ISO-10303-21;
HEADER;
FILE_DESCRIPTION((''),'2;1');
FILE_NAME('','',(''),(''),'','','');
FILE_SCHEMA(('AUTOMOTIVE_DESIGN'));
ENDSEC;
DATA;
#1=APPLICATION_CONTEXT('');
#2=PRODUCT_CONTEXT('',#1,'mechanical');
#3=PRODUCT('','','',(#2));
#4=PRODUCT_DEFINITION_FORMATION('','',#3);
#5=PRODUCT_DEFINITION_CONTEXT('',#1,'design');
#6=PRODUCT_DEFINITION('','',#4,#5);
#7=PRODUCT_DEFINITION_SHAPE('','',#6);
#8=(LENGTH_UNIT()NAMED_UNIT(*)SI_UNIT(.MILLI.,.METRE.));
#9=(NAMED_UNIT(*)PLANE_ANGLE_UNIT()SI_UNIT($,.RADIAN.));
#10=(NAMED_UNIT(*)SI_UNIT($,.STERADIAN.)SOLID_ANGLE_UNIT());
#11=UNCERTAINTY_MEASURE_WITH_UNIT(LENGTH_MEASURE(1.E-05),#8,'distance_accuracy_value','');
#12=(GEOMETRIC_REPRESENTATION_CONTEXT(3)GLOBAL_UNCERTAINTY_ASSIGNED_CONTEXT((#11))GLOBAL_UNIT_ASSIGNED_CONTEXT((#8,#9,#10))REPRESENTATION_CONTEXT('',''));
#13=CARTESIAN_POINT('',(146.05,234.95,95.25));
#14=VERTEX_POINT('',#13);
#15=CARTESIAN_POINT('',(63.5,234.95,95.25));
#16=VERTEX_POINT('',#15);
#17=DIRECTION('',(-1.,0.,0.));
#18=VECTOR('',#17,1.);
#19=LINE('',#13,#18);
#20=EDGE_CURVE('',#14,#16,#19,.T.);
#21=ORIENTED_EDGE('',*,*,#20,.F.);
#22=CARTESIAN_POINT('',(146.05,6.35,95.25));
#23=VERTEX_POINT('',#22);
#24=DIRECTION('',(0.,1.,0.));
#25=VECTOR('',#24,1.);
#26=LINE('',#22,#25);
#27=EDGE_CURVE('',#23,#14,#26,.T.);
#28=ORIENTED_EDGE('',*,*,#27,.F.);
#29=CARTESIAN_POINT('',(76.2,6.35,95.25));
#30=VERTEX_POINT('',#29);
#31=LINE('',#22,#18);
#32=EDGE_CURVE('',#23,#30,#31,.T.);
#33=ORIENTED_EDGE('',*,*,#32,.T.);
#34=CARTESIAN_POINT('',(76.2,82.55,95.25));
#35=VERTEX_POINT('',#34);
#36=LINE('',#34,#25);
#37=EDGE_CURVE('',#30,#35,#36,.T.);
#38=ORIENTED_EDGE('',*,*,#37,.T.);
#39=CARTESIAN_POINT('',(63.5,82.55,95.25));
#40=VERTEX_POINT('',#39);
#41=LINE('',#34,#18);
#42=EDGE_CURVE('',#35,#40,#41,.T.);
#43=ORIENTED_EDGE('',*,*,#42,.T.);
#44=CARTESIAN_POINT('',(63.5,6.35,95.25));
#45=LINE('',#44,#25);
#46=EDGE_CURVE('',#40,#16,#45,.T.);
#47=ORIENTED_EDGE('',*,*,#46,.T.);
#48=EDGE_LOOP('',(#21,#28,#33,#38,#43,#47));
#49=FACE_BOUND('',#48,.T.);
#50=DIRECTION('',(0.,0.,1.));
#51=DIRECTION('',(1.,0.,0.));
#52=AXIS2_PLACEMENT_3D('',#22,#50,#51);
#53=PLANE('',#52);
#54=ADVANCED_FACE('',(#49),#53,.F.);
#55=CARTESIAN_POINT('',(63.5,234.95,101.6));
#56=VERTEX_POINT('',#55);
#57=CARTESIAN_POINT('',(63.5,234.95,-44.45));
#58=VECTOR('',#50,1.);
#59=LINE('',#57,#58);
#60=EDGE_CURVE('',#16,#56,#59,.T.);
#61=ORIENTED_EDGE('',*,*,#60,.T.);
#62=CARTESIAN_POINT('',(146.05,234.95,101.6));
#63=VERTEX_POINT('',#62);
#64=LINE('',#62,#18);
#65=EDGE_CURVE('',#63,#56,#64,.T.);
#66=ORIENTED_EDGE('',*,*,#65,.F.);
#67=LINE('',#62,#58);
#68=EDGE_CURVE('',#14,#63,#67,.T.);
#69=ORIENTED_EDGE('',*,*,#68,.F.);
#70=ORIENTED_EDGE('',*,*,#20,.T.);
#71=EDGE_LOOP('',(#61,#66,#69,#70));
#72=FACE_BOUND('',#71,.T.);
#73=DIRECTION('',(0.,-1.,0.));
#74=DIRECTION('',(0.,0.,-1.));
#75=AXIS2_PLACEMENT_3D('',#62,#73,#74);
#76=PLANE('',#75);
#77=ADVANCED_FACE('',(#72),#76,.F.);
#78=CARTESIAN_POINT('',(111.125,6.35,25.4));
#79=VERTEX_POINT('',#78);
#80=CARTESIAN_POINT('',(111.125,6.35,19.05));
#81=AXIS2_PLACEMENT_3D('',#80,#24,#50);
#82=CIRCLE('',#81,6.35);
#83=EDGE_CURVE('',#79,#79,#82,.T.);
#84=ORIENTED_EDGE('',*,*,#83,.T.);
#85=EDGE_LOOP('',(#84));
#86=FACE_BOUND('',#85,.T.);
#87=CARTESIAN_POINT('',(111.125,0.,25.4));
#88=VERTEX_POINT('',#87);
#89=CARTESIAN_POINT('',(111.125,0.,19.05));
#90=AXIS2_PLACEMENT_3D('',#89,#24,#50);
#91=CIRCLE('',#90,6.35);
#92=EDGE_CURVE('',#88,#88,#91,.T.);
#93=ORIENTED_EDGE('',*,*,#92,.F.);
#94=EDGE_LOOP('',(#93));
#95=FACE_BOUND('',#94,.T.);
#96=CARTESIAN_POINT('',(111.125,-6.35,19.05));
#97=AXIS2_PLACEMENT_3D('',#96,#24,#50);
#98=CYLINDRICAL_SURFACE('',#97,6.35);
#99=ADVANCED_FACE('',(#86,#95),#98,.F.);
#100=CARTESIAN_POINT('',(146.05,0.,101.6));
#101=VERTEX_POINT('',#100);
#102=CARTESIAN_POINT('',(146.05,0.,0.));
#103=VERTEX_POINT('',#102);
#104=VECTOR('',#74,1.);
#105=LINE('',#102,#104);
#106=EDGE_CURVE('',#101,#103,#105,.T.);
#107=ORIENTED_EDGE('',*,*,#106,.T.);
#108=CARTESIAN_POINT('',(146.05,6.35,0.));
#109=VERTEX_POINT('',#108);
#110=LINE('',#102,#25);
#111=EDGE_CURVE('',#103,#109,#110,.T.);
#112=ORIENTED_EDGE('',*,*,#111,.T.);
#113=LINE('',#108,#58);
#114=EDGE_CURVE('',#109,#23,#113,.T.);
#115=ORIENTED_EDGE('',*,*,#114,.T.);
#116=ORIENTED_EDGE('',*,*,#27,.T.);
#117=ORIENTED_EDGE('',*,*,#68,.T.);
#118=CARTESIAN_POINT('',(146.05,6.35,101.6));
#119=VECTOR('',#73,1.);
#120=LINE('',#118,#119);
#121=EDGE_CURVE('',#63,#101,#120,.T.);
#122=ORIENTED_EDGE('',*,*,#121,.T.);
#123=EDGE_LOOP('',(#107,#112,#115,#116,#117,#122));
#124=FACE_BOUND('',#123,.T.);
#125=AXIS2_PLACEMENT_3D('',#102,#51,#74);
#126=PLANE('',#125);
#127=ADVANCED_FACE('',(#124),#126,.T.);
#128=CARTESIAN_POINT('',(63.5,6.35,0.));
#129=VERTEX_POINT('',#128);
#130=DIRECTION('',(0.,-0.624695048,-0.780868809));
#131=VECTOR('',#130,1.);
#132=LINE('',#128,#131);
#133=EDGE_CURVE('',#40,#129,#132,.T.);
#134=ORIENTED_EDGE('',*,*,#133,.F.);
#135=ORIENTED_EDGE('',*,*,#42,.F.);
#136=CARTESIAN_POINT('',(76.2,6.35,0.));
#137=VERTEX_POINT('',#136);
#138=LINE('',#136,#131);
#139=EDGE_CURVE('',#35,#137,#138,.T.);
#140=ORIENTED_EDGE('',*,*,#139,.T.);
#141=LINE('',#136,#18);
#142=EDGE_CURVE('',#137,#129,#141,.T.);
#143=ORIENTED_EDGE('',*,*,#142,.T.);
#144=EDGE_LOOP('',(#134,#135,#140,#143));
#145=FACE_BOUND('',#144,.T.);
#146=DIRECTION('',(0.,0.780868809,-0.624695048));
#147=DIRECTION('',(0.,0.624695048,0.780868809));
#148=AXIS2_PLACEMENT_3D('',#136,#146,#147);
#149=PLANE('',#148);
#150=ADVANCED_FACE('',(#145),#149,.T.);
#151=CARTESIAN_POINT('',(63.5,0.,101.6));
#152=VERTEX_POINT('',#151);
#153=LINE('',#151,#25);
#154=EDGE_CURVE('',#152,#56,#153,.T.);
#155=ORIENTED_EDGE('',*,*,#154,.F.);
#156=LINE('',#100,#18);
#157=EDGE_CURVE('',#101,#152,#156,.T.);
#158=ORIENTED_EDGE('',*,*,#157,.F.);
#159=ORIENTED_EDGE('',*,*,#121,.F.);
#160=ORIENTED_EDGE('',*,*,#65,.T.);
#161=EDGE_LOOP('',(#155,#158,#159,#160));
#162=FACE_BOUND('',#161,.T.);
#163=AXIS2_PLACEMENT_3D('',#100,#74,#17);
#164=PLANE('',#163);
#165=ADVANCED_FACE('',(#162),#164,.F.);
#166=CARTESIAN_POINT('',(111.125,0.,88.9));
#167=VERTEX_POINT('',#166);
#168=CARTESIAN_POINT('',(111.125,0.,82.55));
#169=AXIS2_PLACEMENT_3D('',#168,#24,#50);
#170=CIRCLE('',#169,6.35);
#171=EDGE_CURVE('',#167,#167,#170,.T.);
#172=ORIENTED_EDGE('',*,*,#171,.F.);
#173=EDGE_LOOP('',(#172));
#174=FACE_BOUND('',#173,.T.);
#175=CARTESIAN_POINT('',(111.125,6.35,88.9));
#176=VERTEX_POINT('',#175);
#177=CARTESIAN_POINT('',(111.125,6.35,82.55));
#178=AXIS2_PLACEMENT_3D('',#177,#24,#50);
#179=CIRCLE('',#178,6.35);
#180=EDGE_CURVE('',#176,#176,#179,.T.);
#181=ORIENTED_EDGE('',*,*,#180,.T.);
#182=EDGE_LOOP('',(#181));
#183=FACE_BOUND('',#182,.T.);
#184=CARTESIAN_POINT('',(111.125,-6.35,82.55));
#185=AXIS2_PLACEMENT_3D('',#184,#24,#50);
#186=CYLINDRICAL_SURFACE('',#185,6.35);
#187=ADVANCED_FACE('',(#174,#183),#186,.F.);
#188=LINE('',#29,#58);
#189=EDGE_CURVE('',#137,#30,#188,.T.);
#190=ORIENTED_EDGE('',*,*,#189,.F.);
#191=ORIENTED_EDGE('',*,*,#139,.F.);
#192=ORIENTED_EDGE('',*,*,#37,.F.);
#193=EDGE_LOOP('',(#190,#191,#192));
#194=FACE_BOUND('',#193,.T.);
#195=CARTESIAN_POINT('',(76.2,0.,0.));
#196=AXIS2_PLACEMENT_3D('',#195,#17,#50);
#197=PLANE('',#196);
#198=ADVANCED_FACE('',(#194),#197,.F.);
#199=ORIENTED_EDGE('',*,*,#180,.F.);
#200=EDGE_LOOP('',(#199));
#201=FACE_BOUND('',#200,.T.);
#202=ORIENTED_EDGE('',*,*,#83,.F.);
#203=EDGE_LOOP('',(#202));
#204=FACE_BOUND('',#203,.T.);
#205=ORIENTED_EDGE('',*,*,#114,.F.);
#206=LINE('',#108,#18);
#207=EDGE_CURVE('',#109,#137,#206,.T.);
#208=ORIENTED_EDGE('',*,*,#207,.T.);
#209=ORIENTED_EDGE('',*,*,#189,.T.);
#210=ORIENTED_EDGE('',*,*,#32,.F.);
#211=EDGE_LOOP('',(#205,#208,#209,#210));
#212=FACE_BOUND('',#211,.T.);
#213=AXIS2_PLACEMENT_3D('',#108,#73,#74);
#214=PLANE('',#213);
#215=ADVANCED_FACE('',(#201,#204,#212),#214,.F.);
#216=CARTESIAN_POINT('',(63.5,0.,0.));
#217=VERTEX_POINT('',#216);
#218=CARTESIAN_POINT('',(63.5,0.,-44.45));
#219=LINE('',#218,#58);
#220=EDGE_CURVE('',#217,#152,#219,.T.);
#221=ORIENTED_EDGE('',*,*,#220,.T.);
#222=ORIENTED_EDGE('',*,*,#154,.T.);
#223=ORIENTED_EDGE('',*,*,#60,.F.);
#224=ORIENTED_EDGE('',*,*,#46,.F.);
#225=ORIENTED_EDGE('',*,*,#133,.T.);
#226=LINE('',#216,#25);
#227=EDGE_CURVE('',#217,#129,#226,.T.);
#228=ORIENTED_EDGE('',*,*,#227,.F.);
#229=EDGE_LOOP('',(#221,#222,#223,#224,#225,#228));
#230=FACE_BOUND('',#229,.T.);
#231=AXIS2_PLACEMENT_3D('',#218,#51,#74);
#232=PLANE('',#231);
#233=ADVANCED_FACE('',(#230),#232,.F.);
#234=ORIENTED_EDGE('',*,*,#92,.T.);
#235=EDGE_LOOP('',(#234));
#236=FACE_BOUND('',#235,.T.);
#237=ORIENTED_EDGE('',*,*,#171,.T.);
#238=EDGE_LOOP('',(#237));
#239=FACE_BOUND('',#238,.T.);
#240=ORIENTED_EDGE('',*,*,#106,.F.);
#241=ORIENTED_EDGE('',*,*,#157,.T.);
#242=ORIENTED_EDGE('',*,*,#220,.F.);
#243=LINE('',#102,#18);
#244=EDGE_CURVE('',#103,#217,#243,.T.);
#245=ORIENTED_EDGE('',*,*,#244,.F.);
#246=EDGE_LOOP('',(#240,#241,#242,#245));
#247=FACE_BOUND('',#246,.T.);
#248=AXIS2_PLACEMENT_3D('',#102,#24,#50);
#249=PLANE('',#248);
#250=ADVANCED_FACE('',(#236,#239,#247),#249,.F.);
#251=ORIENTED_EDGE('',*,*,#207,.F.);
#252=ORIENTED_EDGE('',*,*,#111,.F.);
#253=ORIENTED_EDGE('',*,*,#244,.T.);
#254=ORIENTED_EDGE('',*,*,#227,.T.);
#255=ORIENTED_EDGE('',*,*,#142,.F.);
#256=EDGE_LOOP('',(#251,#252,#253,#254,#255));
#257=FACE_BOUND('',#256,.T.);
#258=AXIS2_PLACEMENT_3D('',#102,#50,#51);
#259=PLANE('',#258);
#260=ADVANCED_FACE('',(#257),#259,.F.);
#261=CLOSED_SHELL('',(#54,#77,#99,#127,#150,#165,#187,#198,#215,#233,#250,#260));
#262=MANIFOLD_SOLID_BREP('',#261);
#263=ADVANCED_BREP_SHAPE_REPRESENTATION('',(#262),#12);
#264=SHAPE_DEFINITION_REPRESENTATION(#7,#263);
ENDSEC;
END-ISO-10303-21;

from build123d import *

# Parameters (mm, degrees)
BOSS_EXTRUDE1_DEPTH = 146.05
SKETCH2_W           = 63.5
SKETCH2_H           = 234.95
CUT_EXTRUDE1_DEPTH  = 146.05
BOSS_EXTRUDE2_DEPTH = 12.7
SKETCH4_R           = 6.35
CUT_EXTRUDE2_DEPTH  = 12.7


with BuildPart() as part:
    # Sketch1 → Boss-Extrude1 (new body)
    with BuildSketch(Plane(origin=(0, 0, 0), x_dir=(0, 0, -1), z_dir=(1, 0, 0))):
        Polygon((0, 0), (-101.6, 0), (-101.6, 6.35), (-101.6, 234.95), (-95.25, 234.95), (-95.25, 6.35), (0, 6.35), align=None)
    extrude(amount=BOSS_EXTRUDE1_DEPTH)

    # Sketch2 → Cut-Extrude1 (cut)
    with BuildSketch(Plane.XY.offset(101.6)):
        with Locations((31.75, 117.475)):
            Rectangle(SKETCH2_W, SKETCH2_H)
    extrude(amount=-CUT_EXTRUDE1_DEPTH, mode=Mode.SUBTRACT)

    # Sketch3 → Boss-Extrude2 (add)
    with BuildSketch(Plane.ZY.offset(-63.5)):
        Polygon((0, 6.35), (95.25, 82.55), (95.25, 6.35), align=None)
    extrude(amount=-BOSS_EXTRUDE2_DEPTH)

    # Sketch4 → Cut-Extrude2 (cut)
    with BuildSketch(Plane(origin=(0, 6.35, 0), x_dir=(1, 0, 0), z_dir=(0, 1, 0))):
        with Locations((111.125, -19.05)):
            Circle(SKETCH4_R)
        with Locations((111.125, -82.55)):
            Circle(SKETCH4_R)
    extrude(amount=-CUT_EXTRUDE2_DEPTH, mode=Mode.SUBTRACT)


solid = part.part
